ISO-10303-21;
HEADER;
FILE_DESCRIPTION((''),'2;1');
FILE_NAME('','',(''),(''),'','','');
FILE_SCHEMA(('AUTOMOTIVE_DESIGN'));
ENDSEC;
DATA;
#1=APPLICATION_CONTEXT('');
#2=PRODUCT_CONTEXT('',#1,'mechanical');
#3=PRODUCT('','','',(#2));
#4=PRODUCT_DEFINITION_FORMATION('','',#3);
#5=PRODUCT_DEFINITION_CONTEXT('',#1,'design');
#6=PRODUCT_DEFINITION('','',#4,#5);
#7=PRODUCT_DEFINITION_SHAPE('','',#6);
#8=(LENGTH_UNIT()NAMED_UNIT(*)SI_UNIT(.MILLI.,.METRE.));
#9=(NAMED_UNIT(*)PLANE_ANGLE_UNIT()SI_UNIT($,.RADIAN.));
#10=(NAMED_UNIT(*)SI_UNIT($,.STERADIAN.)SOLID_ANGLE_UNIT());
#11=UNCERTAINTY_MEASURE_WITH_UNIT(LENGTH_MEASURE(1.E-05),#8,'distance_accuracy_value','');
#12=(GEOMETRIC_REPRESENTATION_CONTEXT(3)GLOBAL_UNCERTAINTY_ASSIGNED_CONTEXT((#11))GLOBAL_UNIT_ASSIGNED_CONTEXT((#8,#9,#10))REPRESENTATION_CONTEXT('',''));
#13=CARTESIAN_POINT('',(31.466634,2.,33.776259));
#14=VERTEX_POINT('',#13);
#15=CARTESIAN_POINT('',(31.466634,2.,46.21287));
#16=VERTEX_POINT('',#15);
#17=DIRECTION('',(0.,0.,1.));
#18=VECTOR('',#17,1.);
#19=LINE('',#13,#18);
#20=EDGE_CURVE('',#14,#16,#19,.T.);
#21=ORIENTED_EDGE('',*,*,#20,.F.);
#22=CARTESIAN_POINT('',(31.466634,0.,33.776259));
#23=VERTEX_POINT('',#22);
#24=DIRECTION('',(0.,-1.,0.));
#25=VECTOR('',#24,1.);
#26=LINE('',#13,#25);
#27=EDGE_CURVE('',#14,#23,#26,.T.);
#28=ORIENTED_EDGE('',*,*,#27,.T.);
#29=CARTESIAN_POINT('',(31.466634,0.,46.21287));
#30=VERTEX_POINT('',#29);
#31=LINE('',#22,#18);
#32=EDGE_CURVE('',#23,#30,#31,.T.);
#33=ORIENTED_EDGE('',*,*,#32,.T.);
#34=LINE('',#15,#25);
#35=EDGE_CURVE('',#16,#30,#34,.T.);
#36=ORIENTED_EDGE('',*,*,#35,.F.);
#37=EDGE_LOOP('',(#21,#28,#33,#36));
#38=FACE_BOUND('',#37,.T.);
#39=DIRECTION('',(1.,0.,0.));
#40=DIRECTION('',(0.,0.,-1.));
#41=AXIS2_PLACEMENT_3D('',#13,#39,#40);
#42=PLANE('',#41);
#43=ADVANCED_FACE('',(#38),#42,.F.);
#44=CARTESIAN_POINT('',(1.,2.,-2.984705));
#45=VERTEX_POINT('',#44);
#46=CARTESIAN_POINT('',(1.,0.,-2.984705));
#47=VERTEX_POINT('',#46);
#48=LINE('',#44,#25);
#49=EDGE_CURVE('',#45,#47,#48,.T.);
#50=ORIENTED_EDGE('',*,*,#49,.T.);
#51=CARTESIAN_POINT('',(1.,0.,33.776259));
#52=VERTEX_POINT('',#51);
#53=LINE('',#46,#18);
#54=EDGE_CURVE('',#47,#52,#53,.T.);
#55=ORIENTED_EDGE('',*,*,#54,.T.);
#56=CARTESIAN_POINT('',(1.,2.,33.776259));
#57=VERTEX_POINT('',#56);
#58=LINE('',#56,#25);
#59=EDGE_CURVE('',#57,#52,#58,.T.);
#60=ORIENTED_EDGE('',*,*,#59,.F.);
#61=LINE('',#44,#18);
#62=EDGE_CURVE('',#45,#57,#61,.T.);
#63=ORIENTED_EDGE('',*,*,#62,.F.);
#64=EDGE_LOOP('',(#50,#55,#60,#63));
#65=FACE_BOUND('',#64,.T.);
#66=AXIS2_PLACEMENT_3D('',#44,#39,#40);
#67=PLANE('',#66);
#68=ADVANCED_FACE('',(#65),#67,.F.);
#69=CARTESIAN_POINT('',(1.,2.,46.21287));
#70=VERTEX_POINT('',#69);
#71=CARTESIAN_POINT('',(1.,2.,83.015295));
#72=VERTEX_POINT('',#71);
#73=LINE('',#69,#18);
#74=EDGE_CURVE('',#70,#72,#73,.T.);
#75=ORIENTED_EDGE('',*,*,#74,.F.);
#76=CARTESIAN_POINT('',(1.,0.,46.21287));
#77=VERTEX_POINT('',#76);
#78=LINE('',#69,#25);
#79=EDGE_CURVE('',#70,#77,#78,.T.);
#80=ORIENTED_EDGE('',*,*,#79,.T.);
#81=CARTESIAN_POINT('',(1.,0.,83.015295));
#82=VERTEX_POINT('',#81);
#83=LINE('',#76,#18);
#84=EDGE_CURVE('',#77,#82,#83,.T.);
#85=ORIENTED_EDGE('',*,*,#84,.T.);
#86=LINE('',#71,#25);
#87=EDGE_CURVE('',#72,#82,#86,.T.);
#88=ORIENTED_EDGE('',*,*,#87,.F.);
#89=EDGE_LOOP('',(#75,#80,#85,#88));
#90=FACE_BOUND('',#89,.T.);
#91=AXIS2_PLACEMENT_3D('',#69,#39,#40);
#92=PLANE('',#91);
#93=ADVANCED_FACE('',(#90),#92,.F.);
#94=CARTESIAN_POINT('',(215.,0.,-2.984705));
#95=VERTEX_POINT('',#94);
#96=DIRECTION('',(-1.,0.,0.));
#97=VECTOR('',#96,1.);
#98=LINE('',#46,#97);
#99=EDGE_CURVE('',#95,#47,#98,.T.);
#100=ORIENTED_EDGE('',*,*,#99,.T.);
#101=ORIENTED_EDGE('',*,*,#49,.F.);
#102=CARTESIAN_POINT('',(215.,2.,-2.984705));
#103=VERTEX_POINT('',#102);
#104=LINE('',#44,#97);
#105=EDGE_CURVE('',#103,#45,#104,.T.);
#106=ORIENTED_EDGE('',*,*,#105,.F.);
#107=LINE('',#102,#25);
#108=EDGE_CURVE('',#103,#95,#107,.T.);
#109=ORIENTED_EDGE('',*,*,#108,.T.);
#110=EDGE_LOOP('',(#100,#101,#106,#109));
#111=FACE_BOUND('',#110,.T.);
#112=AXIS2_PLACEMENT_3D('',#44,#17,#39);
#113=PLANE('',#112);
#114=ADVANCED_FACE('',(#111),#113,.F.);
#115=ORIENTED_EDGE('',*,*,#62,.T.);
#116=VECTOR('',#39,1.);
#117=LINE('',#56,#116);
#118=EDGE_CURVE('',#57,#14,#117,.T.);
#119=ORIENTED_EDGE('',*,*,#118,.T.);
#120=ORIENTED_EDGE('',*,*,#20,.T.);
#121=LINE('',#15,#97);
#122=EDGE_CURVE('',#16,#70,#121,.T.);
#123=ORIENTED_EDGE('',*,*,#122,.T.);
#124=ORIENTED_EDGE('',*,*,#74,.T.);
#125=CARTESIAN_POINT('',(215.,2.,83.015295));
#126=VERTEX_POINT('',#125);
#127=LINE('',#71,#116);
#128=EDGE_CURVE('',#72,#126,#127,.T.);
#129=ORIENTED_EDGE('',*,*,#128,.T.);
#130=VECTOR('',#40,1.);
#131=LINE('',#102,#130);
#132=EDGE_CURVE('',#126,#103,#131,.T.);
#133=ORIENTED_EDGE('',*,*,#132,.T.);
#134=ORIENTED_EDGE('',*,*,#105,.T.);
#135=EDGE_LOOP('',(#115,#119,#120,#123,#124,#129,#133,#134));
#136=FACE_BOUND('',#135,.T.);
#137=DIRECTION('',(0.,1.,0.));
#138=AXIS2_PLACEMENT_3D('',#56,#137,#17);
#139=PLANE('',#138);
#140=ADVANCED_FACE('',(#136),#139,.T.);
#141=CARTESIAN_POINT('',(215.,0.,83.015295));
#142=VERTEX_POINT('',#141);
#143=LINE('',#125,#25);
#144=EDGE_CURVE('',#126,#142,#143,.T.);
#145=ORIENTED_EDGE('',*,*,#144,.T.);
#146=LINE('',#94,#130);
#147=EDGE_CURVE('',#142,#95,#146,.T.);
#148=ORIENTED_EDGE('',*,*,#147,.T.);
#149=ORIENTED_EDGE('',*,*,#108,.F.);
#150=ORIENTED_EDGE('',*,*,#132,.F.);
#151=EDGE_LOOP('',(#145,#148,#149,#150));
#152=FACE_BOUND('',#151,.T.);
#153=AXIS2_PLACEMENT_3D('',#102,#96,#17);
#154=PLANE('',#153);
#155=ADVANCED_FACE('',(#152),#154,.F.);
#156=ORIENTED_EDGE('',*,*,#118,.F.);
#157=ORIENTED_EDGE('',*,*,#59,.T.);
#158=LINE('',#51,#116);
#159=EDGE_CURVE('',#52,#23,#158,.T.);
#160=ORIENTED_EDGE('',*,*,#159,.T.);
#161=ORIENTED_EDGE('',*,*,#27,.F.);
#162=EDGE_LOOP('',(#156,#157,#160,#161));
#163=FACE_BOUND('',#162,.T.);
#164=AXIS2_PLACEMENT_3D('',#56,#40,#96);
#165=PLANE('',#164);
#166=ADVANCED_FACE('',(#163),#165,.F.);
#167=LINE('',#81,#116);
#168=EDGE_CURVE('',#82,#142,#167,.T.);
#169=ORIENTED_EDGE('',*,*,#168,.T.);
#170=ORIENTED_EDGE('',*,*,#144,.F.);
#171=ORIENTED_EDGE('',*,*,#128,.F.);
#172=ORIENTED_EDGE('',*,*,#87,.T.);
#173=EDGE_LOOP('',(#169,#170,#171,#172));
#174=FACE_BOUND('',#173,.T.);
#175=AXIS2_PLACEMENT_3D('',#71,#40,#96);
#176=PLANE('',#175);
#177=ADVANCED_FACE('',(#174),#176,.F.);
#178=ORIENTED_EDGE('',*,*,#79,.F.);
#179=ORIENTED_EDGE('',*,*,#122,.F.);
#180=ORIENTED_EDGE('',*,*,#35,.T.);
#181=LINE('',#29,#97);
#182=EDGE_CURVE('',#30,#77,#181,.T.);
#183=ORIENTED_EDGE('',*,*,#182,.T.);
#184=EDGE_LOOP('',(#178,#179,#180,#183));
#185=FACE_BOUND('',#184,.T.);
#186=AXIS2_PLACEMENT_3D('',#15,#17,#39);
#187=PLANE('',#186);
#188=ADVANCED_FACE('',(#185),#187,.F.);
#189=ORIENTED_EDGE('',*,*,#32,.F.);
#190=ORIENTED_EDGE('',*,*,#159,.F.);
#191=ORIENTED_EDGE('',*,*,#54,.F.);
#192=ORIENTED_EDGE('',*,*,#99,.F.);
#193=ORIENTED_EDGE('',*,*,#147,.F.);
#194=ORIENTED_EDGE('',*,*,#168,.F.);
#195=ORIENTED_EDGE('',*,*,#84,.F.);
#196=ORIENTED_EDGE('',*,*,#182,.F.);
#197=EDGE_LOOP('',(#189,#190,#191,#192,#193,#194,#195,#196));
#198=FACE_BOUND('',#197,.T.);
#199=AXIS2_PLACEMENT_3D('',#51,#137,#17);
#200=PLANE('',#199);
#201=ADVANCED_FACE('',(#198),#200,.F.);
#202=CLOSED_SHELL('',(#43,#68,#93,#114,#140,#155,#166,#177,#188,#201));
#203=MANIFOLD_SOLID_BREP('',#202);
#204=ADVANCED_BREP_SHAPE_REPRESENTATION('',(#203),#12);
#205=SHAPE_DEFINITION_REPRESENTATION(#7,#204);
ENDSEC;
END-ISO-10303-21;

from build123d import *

# Parameters (mm, degrees)
EXTRUDE_1_DEPTH = 2


with BuildPart() as part:
    # Эскиз1 → Вытянуть1 (new body)
    with BuildSketch(Plane(origin=(0, 0, 0), x_dir=(1, 0, 0), z_dir=(0, 1, 0))):
        Polygon((1, -33.776259489), (31.466634363, -33.776259489), (31.466634363, -46.212870139), (1, -46.212870139), (1, -83.015295197), (215, -83.015295197), (215, 2.984704803), (1, 2.984704803), align=None)
    extrude(amount=EXTRUDE_1_DEPTH)


solid = part.part
